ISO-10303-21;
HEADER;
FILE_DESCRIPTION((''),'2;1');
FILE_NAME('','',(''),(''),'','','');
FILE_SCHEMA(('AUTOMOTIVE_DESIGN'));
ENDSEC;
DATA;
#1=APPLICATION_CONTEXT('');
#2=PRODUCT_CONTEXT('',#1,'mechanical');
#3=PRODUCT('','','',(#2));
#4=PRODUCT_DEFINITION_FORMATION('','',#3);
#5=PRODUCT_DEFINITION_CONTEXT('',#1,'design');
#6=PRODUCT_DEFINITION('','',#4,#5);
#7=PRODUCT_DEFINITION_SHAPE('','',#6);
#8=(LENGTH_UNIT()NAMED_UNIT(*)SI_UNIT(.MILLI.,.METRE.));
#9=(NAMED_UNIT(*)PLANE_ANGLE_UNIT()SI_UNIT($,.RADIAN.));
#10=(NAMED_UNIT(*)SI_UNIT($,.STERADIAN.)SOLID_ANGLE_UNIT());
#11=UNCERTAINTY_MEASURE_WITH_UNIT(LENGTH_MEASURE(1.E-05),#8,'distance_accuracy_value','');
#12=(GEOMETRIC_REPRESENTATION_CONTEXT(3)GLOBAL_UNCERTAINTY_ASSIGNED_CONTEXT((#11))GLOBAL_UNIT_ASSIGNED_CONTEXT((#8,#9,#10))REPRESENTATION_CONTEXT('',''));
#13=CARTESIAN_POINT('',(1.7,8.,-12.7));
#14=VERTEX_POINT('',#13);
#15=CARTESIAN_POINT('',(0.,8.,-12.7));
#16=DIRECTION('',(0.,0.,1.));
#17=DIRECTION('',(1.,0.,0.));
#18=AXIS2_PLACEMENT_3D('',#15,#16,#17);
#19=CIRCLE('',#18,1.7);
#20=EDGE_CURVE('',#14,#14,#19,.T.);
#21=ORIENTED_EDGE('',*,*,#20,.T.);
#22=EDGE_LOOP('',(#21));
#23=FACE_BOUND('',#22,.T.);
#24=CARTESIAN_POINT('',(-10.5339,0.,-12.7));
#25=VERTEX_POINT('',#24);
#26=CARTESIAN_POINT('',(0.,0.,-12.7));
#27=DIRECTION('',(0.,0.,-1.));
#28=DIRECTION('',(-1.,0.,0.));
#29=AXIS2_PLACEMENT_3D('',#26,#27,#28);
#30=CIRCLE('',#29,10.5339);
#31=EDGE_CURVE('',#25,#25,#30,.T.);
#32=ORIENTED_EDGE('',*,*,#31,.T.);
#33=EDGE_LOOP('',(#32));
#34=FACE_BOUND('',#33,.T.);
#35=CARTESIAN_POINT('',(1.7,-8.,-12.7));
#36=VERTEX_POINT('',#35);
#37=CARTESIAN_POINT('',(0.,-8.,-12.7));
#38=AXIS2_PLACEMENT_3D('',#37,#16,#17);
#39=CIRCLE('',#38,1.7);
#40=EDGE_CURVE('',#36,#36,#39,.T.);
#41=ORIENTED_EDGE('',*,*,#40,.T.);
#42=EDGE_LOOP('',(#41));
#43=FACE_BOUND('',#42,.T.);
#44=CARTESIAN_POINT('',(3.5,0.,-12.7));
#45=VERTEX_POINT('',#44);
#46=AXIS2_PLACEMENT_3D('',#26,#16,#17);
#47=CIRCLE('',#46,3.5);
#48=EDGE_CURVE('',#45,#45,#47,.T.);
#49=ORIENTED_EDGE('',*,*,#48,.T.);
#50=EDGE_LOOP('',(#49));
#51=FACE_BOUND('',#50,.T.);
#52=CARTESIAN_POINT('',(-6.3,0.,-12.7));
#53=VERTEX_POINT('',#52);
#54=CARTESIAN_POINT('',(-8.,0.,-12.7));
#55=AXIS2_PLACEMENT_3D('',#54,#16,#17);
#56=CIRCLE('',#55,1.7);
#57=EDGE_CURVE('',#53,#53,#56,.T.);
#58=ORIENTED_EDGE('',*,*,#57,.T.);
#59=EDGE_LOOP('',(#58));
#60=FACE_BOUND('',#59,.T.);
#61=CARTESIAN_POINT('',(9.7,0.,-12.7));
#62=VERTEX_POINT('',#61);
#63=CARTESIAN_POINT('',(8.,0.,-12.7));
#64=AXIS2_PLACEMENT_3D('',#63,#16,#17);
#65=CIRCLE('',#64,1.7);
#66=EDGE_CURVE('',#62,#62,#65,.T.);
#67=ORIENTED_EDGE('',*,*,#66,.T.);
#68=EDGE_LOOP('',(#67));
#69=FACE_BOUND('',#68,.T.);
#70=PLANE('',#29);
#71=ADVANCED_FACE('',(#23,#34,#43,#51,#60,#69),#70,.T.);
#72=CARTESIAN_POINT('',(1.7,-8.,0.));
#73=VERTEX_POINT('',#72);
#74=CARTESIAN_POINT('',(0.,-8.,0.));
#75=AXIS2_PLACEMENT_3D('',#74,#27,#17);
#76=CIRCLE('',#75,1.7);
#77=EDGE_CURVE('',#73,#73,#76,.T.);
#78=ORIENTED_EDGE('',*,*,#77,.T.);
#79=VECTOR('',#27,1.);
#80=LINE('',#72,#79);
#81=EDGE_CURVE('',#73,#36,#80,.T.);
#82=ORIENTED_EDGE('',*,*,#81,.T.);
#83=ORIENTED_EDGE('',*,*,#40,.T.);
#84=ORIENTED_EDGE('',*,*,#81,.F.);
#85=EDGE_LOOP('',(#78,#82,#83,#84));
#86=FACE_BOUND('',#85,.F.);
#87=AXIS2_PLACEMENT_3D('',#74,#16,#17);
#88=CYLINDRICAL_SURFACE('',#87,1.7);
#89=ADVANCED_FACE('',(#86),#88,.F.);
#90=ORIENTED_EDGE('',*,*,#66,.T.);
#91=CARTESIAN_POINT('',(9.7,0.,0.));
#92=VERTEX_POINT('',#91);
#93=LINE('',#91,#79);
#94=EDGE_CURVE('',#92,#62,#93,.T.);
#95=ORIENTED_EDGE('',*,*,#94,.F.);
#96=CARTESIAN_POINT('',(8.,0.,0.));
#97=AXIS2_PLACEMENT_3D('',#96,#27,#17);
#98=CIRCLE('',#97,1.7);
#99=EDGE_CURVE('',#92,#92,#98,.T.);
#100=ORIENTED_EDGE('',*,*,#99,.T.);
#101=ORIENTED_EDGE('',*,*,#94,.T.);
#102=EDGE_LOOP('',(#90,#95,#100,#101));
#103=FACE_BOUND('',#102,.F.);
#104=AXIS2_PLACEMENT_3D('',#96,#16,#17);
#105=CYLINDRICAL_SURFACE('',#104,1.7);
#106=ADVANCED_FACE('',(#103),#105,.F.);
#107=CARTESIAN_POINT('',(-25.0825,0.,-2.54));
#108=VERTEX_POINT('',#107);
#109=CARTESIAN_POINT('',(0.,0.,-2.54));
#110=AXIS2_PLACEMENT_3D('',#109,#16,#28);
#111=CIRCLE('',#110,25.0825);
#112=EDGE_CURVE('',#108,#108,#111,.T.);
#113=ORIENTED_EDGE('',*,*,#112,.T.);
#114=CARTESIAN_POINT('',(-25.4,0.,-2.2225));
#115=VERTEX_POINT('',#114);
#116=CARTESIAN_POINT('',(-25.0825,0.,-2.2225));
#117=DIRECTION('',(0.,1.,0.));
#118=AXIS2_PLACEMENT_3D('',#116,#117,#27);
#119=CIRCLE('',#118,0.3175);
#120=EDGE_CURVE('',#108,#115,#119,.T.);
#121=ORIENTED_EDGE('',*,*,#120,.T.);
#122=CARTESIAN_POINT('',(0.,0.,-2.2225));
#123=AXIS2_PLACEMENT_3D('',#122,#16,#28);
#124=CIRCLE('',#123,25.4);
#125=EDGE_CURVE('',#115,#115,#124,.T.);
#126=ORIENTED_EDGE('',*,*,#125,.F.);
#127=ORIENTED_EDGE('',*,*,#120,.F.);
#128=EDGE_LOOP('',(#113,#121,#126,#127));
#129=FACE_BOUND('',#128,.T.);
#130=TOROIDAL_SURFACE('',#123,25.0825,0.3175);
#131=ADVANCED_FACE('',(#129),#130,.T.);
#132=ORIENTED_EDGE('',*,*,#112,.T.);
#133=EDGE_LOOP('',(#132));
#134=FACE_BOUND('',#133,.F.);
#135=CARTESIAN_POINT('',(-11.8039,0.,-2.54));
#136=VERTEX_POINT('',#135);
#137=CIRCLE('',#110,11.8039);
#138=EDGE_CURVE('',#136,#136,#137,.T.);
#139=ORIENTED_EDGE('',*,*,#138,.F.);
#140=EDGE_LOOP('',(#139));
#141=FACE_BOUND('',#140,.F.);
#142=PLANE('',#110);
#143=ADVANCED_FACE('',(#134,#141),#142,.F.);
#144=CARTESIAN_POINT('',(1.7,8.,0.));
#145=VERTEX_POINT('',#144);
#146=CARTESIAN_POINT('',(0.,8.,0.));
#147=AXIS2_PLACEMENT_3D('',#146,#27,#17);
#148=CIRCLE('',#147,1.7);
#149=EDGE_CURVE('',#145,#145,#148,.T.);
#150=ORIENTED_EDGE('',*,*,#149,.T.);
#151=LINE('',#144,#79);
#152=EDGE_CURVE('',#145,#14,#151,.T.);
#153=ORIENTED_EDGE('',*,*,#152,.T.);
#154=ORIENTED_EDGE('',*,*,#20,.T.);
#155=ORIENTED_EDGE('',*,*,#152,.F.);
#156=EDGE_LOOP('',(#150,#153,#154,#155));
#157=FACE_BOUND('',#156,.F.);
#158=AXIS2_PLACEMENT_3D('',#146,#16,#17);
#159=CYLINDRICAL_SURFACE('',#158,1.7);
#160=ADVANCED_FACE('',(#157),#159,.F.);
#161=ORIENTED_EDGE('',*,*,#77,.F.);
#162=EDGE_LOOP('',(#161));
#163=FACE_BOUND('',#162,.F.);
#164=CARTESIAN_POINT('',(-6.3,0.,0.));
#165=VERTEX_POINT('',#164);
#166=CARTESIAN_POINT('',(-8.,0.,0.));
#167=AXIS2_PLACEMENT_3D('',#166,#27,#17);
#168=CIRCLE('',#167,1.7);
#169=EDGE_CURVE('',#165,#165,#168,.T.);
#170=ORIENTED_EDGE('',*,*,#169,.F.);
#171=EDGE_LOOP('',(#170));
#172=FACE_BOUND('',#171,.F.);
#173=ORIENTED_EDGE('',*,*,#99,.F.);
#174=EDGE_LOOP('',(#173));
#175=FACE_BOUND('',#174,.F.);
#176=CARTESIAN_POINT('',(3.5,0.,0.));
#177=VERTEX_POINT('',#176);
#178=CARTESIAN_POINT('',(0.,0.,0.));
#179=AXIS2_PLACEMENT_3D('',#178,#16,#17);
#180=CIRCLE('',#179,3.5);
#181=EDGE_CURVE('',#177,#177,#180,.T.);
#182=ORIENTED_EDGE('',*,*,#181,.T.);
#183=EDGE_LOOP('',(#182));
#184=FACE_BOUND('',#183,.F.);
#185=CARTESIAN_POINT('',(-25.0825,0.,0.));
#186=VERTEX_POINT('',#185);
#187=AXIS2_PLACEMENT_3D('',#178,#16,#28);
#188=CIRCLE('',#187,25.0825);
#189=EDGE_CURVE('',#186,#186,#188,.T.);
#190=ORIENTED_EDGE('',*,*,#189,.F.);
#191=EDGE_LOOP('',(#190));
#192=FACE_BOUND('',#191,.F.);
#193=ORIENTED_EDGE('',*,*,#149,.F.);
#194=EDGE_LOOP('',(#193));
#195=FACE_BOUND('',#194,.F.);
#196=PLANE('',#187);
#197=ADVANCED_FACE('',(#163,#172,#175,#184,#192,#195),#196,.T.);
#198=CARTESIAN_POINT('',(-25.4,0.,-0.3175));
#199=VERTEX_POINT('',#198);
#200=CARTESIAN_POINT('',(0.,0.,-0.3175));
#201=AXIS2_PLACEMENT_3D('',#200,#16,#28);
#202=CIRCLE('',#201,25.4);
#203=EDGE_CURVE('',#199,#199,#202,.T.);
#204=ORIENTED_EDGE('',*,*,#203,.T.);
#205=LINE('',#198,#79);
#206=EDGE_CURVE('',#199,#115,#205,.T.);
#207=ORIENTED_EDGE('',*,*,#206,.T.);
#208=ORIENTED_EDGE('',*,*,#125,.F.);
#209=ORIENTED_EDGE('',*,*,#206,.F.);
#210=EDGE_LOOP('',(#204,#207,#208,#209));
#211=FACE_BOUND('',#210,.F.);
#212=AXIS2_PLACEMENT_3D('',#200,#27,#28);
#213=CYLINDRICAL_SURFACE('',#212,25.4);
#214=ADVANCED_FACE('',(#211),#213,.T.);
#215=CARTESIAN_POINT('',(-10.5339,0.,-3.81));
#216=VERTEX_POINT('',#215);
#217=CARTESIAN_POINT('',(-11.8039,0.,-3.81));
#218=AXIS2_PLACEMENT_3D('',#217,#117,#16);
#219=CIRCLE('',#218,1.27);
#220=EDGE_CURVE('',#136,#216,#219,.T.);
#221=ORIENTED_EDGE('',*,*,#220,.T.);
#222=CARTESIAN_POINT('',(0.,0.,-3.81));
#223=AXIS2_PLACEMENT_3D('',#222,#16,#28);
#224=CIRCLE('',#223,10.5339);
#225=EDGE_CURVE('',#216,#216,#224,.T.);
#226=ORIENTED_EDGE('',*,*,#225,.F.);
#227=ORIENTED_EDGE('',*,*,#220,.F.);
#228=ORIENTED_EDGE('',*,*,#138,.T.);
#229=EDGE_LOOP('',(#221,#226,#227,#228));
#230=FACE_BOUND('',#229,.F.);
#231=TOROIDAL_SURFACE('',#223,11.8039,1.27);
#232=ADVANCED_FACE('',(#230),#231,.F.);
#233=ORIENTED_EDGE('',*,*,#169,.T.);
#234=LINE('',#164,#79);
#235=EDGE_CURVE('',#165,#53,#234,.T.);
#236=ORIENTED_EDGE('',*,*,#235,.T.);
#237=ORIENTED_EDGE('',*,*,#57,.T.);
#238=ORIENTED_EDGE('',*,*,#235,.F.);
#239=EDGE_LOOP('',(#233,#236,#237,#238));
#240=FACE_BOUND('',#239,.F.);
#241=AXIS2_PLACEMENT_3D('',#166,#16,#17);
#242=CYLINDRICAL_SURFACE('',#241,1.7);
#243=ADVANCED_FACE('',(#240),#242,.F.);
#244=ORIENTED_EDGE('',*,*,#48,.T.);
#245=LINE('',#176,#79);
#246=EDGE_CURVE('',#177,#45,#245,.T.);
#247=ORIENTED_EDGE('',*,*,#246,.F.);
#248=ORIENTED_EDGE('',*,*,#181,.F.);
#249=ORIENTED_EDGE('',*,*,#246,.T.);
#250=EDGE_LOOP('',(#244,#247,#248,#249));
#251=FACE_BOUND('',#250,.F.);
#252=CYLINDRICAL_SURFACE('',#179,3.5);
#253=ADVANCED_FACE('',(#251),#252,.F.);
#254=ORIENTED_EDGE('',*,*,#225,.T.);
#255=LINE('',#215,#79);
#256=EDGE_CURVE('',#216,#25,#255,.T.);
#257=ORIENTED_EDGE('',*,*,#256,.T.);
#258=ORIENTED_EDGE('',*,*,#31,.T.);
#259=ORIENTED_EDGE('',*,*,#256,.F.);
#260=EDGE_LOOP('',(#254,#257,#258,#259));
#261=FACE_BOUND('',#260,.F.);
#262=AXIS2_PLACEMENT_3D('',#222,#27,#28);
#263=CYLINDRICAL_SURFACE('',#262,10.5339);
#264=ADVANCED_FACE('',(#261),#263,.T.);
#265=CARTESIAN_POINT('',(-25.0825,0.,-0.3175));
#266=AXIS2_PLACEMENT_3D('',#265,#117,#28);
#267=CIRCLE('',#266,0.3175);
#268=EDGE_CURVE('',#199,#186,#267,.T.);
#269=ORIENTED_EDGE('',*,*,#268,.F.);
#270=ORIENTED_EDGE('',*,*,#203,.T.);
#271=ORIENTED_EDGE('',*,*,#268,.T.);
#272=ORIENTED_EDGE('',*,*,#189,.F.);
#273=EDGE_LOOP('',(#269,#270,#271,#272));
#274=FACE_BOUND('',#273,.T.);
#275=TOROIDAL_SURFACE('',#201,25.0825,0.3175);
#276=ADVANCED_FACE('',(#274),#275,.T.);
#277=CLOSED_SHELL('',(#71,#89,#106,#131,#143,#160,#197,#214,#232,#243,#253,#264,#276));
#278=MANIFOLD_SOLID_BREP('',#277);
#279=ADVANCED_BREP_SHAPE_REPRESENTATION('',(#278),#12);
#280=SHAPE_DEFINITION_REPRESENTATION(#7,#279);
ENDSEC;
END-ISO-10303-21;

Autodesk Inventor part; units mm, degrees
ref_plane "YZ Plane" through (0, 0, 0) normal (1, 0, 0) x (0, 1, 0)
ref_plane "XZ Plane" through (0, 0, 0) normal (0, 1, 0) x (-1, 0, 0)
ref_plane "XY Plane" through (0, 0, 0) normal (0, 0, 1) x (1, 0, 0)
sketch "Sketch1" plane through (0, 0, 0) normal (0, 1, 0) x (-1, 0, 0)
  line L0 (0, 0) -> (25.0825, 0)
  line L1 (25.0825, -25.4) -> (0, -25.4)
  line L2 (0, -25.4) -> (0, 0)
  line L3 (25.0825, -2.54) -> (11.8039, -2.54)
  line L4 (25.0825, -22.86) -> (11.8039, -22.86)
  line L5 (10.5339, -3.81) -> (10.5339, -21.59)
  line L6 (25.4, -0.3175) -> (25.4, -2.2225)
  line L7 (25.4, -23.1775) -> (25.4, -25.0825)
  arc A0 (25.4, -0.3175) -> (25.0825, 0) centre (25.0825, -0.3175) ccw
  arc A1 (25.0825, -2.54) -> (25.4, -2.2225) centre (25.0825, -2.2225) ccw
  arc A2 (25.4, -23.1775) -> (25.0825, -22.86) centre (25.0825, -23.1775) ccw
  arc A3 (25.0825, -25.4) -> (25.4, -25.0825) centre (25.0825, -25.0825) ccw
  arc A4 (11.8039, -2.54) -> (10.5339, -3.81) centre (11.8039, -3.81) ccw
  arc A5 (10.5339, -21.59) -> (11.8039, -22.86) centre (11.8039, -21.59) ccw
  point P0 (25.4, -25.4)
  point P1 (25.4, 0)
  dimension "d0" = 25.4
  dimension "d2" = 2.54
  dimension "d3" = 2.54
  dimension "d4" = 0.3175
  dimension "d5" = 1.27
  dimension "d7" = 25.4
revolve "Revolution1" add sketch "Sketch1" angle 360 about axis through (0, 0, -25.4) along (0, 0, 1)
sketch "Sketch2" plane through (0, 0, 0) normal (0, 0, 1) x (1, 0, 0)
  circle A0 centre (0, 0) radius 3.5
  circle A1 centre (0, 8) radius 1.7
  circle A2 centre (0, 0) radius 8
  circle A3 centre (-8, 0) radius 1.7
  circle A4 centre (0, -8) radius 1.7
  circle A5 centre (8, 0) radius 1.7
  dimension "d10" = 16
  dimension "d8" = 7
  dimension "d9" = 3.4
  dimension "d13" = 360
extrude "Extrusion1" cut sketch "Sketch2" against normal through all contours A0 | A1 A2 | A2 A1 | A3 A2 | A2 A3 | A5 A2 | A2 A5 | A4 A2 | A2 A4
ref_plane "Work Plane1" through (0, 0, -12.7) normal (0, 0, -1) x (-1, 0, 0)
sketch "Sketch3" plane through (0, 0, -25.4) normal (0, 0, -1) x (-1, 0, 0)
  circle A0 centre (0, 0) radius 25.4 projected
  point P0 (0, 0)
extrude "Extrusion2" cut sketch "Sketch3" against normal blind 12.7
properties part number "Pulley"
